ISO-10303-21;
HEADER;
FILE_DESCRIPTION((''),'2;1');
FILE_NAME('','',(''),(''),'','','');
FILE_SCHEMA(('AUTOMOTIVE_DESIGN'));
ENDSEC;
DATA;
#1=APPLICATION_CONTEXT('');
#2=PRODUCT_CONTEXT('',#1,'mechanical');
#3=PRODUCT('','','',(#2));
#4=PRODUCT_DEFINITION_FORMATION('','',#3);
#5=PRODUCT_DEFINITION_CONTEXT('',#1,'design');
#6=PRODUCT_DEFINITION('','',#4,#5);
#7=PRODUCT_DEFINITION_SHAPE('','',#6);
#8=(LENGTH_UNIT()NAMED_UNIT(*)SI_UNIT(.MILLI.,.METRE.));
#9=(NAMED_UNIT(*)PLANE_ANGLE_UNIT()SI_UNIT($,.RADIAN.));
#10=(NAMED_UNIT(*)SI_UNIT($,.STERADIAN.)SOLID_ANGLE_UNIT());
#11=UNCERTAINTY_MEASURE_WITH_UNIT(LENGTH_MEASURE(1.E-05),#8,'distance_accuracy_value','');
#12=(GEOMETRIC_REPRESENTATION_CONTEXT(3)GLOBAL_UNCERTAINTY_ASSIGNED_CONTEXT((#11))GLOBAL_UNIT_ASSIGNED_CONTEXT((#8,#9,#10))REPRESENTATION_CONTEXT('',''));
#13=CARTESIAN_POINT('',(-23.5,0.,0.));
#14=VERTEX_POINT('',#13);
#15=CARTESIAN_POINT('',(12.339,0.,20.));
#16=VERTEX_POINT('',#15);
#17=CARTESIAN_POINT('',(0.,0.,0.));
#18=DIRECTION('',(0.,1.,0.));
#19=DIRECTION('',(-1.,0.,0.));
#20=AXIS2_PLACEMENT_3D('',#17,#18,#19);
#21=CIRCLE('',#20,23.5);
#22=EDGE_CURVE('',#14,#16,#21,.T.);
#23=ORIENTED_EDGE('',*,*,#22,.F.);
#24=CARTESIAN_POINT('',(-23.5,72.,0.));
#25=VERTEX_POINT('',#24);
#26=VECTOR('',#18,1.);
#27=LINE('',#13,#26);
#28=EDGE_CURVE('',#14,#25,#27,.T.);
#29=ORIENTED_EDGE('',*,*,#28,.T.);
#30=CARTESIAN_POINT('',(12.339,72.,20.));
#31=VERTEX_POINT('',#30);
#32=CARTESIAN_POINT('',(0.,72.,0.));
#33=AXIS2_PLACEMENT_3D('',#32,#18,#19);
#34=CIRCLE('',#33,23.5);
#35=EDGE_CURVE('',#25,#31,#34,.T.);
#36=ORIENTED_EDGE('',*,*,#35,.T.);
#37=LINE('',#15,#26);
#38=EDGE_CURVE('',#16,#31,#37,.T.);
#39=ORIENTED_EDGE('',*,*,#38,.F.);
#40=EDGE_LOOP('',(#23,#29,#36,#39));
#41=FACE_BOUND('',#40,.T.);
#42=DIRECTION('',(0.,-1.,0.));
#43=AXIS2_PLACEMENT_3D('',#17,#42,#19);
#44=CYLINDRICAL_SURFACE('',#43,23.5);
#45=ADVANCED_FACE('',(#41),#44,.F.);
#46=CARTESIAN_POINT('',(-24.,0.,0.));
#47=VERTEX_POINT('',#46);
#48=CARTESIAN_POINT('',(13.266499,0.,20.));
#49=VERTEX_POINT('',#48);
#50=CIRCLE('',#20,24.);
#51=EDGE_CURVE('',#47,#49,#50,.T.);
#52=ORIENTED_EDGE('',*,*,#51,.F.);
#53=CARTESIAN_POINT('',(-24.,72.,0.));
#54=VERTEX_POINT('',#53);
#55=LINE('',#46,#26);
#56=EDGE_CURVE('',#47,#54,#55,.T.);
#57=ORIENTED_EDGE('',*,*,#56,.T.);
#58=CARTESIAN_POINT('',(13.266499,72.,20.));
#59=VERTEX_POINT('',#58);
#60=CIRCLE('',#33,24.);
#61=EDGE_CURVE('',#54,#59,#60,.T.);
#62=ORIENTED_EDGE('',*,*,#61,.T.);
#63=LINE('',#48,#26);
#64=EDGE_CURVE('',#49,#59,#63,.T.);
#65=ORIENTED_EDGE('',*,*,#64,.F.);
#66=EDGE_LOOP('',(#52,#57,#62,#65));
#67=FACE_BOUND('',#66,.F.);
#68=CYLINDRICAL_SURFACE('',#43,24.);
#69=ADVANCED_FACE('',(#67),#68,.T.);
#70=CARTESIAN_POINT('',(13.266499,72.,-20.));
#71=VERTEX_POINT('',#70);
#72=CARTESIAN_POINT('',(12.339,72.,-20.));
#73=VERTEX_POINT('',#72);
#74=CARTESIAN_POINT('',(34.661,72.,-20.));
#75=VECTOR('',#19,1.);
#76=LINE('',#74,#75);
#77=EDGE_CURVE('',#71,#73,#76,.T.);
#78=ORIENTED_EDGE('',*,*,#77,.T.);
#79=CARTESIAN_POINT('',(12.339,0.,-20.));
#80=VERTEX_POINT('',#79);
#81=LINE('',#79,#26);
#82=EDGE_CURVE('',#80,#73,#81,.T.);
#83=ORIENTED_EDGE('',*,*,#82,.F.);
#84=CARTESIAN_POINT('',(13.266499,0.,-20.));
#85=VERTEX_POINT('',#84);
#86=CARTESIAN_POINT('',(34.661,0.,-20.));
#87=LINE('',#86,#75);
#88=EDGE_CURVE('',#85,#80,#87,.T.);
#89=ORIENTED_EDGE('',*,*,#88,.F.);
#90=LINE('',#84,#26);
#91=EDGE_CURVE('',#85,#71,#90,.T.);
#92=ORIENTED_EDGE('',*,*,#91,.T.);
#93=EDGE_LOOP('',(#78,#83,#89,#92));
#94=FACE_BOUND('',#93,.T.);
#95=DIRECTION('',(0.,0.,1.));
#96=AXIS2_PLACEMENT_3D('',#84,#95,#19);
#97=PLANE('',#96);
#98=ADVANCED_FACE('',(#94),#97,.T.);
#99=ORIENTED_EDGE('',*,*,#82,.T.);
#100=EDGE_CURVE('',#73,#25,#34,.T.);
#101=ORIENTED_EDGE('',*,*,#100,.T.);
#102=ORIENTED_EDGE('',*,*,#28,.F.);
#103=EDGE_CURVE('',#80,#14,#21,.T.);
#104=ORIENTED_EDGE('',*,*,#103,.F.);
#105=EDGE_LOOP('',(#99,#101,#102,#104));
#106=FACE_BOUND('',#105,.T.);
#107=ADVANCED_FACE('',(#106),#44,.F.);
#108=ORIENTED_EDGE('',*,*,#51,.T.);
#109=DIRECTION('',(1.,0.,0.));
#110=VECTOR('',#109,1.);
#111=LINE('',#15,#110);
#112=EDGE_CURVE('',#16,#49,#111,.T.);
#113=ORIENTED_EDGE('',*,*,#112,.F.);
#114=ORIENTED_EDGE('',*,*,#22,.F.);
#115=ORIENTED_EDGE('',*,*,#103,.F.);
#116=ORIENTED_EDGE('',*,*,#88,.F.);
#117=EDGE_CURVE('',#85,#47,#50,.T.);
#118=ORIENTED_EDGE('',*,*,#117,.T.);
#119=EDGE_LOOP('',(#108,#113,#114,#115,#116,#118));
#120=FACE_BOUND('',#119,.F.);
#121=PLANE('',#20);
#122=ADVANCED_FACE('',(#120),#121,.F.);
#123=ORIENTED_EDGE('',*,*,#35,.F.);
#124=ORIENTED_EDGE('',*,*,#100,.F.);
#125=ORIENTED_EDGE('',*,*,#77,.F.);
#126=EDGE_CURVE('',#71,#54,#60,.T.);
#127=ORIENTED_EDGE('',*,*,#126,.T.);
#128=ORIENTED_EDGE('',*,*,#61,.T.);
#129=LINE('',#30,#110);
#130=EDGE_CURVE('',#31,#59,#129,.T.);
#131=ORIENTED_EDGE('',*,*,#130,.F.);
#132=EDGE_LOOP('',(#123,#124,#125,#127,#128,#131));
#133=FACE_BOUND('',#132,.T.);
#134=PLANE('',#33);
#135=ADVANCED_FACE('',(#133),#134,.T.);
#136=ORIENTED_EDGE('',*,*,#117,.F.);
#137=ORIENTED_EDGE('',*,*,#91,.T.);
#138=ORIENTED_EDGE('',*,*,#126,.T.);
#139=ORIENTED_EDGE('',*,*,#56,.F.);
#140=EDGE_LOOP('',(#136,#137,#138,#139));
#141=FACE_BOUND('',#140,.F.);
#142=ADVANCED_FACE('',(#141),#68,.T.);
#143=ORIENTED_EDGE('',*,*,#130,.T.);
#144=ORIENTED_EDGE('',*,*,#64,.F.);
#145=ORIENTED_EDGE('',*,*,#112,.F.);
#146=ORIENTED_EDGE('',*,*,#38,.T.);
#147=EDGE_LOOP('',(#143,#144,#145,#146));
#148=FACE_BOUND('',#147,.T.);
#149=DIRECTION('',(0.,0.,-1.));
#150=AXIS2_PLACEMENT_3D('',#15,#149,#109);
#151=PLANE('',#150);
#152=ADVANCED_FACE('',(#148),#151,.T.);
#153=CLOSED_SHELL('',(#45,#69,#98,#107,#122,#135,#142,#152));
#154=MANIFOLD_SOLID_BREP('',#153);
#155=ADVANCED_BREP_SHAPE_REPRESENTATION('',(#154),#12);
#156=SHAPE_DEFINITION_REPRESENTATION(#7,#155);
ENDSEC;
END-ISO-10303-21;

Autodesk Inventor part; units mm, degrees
ref_plane "YZ Plane" through (0, 0, 0) normal (1, 0, 0) x (0, 1, 0)
ref_plane "XZ Plane" through (0, 0, 0) normal (0, 1, 0) x (-1, 0, 0)
ref_plane "XY Plane" through (0, 0, 0) normal (0, 0, 1) x (1, 0, 0)
sketch "Skizze1" plane through (0, 0, 0) normal (0, 1, 0) x (-1, 0, 0)
  circle A0 centre (0, 0) radius 23.5
  line L0 (-34.661, -20) -> (-12.339, -20)
  line L1 (-12.339, -20) -> (-12.339, 20)
  line L2 (-12.339, 20) -> (-34.661, 20)
  line L3 (-34.661, 20) -> (-34.661, -20)
  circle A1 centre (0, 0) radius 24
  point P0 (-23.5, 0)
  point P1 (-13.2665, 20)
  point P2 (-13.2665, -20)
  dimension "d0" = 47
  dimension "d1" = 40
  dimension "d2" = 0.5
extrude "Extrusion1" add sketch "Skizze1" along normal blind 72 contours A0 L2 A1 L0 picked at (-9.2672, 21.6358)
properties part number "sf_Cylinder_Lagging_1"
